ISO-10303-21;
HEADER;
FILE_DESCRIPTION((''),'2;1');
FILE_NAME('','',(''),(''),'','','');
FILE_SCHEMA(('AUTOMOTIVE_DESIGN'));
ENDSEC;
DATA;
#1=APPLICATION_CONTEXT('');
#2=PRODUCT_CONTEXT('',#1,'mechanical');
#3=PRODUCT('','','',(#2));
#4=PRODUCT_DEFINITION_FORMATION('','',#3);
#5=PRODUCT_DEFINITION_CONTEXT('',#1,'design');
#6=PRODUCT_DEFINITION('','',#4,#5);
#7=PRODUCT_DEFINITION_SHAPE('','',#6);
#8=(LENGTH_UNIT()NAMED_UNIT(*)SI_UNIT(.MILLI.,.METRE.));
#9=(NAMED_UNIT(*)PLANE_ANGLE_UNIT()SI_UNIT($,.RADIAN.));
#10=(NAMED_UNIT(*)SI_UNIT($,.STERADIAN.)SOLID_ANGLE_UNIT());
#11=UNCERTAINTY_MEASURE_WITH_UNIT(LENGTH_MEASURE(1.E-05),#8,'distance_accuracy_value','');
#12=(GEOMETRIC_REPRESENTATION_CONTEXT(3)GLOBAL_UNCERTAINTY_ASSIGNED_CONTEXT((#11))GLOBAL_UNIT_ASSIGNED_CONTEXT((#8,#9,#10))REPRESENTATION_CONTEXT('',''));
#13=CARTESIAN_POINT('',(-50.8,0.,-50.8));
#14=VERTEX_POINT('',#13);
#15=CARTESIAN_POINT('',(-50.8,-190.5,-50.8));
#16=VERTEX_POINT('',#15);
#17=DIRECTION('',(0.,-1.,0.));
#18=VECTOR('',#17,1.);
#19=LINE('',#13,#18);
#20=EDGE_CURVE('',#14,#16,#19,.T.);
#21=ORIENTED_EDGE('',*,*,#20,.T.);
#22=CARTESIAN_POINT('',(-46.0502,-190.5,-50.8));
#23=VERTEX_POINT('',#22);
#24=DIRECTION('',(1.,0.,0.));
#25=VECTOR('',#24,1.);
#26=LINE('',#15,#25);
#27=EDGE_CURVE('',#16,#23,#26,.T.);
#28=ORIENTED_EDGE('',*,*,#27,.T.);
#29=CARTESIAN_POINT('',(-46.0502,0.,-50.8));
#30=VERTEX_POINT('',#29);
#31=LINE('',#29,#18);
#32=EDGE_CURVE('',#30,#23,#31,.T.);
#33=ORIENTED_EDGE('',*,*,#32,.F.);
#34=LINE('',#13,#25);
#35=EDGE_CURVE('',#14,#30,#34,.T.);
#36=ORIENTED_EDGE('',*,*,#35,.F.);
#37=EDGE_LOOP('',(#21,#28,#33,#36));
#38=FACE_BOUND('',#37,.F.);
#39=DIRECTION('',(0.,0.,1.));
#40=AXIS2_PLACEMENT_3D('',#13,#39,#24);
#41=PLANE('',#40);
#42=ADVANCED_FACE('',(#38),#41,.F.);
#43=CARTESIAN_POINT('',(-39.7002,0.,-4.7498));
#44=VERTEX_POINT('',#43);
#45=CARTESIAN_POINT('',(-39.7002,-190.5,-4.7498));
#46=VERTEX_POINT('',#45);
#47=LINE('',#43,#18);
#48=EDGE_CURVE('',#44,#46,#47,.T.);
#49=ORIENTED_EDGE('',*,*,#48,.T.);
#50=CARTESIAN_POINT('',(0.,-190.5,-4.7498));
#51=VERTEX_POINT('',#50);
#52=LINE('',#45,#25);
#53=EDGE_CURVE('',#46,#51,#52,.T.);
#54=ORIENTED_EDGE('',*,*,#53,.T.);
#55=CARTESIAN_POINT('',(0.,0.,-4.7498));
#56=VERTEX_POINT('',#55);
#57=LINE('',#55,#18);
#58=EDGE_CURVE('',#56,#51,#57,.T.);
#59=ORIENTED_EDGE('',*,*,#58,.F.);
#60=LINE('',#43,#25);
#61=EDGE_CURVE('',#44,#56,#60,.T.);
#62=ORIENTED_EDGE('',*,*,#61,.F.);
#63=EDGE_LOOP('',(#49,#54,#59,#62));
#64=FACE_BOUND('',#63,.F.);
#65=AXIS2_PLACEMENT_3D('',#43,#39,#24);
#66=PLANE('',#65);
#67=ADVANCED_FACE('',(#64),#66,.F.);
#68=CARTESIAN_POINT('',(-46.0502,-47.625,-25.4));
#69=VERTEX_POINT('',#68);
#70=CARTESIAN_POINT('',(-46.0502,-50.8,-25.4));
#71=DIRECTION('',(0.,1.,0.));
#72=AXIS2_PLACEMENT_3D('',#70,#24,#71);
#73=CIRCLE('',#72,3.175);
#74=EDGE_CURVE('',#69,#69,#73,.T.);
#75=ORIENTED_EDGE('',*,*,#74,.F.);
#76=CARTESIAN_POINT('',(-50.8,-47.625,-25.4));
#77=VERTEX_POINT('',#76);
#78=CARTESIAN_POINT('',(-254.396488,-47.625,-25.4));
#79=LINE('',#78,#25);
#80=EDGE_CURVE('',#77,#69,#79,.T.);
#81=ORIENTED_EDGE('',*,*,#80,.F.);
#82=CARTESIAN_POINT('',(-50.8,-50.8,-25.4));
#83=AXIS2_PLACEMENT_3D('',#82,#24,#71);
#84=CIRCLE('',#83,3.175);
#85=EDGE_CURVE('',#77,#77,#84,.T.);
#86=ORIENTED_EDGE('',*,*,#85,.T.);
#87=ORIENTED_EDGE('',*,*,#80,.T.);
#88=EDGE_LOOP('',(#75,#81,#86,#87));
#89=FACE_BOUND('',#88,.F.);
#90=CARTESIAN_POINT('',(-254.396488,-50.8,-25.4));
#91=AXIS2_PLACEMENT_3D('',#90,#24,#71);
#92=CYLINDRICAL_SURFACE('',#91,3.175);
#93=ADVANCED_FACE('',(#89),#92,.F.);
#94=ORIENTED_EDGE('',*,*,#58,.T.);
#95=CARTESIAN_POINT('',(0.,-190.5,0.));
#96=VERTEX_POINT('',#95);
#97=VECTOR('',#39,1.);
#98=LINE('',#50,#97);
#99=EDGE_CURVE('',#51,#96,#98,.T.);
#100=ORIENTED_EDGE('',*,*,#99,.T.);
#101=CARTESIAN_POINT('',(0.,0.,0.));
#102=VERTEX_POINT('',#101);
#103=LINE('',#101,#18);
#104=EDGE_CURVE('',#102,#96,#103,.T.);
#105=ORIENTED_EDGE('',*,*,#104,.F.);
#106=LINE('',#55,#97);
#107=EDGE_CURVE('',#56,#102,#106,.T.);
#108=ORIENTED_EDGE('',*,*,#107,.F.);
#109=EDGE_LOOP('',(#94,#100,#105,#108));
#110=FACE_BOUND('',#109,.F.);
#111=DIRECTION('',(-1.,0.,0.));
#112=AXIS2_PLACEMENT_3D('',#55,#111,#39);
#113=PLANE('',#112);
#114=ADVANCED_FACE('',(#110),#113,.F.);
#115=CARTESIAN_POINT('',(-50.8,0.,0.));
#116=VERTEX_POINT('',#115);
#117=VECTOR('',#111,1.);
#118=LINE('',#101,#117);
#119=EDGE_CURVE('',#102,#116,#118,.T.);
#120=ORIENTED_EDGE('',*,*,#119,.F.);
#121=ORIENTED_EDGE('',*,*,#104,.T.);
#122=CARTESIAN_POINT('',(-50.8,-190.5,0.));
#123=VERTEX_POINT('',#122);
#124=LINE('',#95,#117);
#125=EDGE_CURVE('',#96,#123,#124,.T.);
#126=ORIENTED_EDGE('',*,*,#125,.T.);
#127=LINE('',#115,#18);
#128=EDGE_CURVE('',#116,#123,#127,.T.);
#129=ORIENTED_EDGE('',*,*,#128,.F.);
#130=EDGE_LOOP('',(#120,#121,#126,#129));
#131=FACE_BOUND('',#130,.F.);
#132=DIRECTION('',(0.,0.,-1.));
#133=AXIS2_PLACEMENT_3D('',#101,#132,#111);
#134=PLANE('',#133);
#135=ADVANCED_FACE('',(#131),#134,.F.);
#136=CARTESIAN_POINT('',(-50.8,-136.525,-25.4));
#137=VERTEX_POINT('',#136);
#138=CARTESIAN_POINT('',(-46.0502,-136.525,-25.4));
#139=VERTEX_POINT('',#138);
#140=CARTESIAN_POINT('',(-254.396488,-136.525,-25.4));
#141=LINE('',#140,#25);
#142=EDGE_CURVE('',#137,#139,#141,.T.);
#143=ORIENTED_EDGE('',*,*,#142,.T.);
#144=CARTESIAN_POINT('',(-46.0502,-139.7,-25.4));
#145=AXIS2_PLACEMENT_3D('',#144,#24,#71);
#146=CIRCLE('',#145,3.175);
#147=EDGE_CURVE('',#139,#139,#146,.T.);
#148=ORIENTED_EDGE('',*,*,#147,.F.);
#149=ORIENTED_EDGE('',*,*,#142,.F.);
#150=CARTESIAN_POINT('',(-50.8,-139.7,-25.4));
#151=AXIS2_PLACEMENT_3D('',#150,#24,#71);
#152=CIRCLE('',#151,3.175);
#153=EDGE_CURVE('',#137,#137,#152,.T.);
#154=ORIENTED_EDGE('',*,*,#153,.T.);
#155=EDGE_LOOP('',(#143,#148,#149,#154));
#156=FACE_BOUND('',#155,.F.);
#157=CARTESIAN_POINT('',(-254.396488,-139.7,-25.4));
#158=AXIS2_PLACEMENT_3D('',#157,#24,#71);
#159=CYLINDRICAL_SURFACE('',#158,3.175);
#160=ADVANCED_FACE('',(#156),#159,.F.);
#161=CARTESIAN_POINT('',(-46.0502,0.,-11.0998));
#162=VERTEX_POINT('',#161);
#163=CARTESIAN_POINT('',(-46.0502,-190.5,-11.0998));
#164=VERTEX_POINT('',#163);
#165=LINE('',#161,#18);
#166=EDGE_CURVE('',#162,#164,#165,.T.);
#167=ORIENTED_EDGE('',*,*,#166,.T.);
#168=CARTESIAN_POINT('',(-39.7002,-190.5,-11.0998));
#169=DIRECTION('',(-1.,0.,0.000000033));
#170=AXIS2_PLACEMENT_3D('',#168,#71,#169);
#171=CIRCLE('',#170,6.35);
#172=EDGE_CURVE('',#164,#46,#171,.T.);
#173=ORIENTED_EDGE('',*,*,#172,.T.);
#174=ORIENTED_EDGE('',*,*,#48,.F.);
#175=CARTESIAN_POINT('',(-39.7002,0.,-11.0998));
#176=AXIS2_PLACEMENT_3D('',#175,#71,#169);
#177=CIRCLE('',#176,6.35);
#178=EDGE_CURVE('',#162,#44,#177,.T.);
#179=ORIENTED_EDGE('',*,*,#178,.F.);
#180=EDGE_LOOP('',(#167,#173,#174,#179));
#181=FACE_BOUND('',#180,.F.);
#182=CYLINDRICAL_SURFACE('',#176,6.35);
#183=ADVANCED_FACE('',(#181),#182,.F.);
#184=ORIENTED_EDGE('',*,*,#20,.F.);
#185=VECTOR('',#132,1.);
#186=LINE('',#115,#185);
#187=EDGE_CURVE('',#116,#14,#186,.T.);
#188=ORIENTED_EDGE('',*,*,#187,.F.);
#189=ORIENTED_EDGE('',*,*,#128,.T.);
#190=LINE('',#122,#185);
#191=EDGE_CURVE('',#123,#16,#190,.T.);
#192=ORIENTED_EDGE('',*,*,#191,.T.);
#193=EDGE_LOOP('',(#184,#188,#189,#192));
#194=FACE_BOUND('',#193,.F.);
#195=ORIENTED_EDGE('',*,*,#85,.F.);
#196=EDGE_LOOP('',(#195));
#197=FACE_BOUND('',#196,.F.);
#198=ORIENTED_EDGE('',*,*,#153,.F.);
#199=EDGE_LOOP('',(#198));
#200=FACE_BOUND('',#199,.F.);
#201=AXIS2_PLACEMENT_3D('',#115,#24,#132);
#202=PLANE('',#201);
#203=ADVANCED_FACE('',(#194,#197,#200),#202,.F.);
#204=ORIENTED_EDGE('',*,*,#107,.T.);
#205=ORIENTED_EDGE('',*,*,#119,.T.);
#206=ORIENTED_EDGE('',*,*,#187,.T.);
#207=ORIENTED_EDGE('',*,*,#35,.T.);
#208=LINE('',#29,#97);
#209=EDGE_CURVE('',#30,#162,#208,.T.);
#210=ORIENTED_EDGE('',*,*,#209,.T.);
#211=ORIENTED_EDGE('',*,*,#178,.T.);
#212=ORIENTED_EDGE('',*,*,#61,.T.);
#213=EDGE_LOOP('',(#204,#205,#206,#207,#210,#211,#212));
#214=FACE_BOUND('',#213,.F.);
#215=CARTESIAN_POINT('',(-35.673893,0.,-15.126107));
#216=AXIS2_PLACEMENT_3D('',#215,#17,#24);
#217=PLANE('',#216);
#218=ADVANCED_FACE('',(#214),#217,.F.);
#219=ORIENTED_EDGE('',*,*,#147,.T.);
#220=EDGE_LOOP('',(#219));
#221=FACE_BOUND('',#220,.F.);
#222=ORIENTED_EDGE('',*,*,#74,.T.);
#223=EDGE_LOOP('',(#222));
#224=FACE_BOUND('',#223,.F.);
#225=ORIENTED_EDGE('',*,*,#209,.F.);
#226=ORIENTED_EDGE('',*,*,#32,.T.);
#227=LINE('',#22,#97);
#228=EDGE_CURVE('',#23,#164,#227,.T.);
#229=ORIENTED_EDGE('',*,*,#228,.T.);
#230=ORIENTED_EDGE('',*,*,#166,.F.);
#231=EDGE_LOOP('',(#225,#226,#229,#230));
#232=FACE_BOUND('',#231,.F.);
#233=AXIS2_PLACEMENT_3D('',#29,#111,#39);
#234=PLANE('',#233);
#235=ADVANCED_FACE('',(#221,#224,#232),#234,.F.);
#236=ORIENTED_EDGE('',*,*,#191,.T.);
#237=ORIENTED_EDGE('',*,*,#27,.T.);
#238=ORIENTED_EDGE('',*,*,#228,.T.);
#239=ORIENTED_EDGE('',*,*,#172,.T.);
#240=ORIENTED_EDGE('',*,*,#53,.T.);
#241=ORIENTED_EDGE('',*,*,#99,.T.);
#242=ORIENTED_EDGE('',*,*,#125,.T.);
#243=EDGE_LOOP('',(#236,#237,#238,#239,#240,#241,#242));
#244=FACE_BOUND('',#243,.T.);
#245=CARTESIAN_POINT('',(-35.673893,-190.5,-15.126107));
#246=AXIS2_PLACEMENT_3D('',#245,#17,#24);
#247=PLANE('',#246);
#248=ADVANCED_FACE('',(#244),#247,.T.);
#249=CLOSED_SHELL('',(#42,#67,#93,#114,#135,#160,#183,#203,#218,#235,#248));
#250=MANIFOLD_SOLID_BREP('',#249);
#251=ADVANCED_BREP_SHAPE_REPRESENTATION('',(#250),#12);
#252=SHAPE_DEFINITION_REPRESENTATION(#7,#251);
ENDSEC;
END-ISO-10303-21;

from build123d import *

# Parameters (mm, degrees)
F1_DEPTH = 190.5
F3_D     = 6.35


with BuildPart() as f1:
    # F0 (on Front) → F1 (new body)
    with BuildSketch(Plane.XZ):
        with BuildLine():
            Line((0, -4.7498), (0, 0))
            Line((0, 0), (-50.8, 0))
            Line((-50.8, 0), (-50.8, -50.8))
            Line((-50.8, -50.8), (-46.0502, -50.8))
            Line((-46.0502, -50.8), (-46.0502, -11.0998))
            ThreePointArc((-46.0502, -11.0998), (-44.190328, -6.609672), (-39.7002, -4.7498))
            Line((-39.7002, -4.7498), (0, -4.7498))
        make_face()
    extrude(amount=F1_DEPTH)

    # F3 (through all)
    with Locations(Plane(origin=(-50.8, 0, 0), x_dir=(0, -1, 0), z_dir=(-1, 0, 0))):
        with Locations((50.8, -25.4), (139.7, -25.4)):
            Hole(F3_D / 2)


solid = f1.part
